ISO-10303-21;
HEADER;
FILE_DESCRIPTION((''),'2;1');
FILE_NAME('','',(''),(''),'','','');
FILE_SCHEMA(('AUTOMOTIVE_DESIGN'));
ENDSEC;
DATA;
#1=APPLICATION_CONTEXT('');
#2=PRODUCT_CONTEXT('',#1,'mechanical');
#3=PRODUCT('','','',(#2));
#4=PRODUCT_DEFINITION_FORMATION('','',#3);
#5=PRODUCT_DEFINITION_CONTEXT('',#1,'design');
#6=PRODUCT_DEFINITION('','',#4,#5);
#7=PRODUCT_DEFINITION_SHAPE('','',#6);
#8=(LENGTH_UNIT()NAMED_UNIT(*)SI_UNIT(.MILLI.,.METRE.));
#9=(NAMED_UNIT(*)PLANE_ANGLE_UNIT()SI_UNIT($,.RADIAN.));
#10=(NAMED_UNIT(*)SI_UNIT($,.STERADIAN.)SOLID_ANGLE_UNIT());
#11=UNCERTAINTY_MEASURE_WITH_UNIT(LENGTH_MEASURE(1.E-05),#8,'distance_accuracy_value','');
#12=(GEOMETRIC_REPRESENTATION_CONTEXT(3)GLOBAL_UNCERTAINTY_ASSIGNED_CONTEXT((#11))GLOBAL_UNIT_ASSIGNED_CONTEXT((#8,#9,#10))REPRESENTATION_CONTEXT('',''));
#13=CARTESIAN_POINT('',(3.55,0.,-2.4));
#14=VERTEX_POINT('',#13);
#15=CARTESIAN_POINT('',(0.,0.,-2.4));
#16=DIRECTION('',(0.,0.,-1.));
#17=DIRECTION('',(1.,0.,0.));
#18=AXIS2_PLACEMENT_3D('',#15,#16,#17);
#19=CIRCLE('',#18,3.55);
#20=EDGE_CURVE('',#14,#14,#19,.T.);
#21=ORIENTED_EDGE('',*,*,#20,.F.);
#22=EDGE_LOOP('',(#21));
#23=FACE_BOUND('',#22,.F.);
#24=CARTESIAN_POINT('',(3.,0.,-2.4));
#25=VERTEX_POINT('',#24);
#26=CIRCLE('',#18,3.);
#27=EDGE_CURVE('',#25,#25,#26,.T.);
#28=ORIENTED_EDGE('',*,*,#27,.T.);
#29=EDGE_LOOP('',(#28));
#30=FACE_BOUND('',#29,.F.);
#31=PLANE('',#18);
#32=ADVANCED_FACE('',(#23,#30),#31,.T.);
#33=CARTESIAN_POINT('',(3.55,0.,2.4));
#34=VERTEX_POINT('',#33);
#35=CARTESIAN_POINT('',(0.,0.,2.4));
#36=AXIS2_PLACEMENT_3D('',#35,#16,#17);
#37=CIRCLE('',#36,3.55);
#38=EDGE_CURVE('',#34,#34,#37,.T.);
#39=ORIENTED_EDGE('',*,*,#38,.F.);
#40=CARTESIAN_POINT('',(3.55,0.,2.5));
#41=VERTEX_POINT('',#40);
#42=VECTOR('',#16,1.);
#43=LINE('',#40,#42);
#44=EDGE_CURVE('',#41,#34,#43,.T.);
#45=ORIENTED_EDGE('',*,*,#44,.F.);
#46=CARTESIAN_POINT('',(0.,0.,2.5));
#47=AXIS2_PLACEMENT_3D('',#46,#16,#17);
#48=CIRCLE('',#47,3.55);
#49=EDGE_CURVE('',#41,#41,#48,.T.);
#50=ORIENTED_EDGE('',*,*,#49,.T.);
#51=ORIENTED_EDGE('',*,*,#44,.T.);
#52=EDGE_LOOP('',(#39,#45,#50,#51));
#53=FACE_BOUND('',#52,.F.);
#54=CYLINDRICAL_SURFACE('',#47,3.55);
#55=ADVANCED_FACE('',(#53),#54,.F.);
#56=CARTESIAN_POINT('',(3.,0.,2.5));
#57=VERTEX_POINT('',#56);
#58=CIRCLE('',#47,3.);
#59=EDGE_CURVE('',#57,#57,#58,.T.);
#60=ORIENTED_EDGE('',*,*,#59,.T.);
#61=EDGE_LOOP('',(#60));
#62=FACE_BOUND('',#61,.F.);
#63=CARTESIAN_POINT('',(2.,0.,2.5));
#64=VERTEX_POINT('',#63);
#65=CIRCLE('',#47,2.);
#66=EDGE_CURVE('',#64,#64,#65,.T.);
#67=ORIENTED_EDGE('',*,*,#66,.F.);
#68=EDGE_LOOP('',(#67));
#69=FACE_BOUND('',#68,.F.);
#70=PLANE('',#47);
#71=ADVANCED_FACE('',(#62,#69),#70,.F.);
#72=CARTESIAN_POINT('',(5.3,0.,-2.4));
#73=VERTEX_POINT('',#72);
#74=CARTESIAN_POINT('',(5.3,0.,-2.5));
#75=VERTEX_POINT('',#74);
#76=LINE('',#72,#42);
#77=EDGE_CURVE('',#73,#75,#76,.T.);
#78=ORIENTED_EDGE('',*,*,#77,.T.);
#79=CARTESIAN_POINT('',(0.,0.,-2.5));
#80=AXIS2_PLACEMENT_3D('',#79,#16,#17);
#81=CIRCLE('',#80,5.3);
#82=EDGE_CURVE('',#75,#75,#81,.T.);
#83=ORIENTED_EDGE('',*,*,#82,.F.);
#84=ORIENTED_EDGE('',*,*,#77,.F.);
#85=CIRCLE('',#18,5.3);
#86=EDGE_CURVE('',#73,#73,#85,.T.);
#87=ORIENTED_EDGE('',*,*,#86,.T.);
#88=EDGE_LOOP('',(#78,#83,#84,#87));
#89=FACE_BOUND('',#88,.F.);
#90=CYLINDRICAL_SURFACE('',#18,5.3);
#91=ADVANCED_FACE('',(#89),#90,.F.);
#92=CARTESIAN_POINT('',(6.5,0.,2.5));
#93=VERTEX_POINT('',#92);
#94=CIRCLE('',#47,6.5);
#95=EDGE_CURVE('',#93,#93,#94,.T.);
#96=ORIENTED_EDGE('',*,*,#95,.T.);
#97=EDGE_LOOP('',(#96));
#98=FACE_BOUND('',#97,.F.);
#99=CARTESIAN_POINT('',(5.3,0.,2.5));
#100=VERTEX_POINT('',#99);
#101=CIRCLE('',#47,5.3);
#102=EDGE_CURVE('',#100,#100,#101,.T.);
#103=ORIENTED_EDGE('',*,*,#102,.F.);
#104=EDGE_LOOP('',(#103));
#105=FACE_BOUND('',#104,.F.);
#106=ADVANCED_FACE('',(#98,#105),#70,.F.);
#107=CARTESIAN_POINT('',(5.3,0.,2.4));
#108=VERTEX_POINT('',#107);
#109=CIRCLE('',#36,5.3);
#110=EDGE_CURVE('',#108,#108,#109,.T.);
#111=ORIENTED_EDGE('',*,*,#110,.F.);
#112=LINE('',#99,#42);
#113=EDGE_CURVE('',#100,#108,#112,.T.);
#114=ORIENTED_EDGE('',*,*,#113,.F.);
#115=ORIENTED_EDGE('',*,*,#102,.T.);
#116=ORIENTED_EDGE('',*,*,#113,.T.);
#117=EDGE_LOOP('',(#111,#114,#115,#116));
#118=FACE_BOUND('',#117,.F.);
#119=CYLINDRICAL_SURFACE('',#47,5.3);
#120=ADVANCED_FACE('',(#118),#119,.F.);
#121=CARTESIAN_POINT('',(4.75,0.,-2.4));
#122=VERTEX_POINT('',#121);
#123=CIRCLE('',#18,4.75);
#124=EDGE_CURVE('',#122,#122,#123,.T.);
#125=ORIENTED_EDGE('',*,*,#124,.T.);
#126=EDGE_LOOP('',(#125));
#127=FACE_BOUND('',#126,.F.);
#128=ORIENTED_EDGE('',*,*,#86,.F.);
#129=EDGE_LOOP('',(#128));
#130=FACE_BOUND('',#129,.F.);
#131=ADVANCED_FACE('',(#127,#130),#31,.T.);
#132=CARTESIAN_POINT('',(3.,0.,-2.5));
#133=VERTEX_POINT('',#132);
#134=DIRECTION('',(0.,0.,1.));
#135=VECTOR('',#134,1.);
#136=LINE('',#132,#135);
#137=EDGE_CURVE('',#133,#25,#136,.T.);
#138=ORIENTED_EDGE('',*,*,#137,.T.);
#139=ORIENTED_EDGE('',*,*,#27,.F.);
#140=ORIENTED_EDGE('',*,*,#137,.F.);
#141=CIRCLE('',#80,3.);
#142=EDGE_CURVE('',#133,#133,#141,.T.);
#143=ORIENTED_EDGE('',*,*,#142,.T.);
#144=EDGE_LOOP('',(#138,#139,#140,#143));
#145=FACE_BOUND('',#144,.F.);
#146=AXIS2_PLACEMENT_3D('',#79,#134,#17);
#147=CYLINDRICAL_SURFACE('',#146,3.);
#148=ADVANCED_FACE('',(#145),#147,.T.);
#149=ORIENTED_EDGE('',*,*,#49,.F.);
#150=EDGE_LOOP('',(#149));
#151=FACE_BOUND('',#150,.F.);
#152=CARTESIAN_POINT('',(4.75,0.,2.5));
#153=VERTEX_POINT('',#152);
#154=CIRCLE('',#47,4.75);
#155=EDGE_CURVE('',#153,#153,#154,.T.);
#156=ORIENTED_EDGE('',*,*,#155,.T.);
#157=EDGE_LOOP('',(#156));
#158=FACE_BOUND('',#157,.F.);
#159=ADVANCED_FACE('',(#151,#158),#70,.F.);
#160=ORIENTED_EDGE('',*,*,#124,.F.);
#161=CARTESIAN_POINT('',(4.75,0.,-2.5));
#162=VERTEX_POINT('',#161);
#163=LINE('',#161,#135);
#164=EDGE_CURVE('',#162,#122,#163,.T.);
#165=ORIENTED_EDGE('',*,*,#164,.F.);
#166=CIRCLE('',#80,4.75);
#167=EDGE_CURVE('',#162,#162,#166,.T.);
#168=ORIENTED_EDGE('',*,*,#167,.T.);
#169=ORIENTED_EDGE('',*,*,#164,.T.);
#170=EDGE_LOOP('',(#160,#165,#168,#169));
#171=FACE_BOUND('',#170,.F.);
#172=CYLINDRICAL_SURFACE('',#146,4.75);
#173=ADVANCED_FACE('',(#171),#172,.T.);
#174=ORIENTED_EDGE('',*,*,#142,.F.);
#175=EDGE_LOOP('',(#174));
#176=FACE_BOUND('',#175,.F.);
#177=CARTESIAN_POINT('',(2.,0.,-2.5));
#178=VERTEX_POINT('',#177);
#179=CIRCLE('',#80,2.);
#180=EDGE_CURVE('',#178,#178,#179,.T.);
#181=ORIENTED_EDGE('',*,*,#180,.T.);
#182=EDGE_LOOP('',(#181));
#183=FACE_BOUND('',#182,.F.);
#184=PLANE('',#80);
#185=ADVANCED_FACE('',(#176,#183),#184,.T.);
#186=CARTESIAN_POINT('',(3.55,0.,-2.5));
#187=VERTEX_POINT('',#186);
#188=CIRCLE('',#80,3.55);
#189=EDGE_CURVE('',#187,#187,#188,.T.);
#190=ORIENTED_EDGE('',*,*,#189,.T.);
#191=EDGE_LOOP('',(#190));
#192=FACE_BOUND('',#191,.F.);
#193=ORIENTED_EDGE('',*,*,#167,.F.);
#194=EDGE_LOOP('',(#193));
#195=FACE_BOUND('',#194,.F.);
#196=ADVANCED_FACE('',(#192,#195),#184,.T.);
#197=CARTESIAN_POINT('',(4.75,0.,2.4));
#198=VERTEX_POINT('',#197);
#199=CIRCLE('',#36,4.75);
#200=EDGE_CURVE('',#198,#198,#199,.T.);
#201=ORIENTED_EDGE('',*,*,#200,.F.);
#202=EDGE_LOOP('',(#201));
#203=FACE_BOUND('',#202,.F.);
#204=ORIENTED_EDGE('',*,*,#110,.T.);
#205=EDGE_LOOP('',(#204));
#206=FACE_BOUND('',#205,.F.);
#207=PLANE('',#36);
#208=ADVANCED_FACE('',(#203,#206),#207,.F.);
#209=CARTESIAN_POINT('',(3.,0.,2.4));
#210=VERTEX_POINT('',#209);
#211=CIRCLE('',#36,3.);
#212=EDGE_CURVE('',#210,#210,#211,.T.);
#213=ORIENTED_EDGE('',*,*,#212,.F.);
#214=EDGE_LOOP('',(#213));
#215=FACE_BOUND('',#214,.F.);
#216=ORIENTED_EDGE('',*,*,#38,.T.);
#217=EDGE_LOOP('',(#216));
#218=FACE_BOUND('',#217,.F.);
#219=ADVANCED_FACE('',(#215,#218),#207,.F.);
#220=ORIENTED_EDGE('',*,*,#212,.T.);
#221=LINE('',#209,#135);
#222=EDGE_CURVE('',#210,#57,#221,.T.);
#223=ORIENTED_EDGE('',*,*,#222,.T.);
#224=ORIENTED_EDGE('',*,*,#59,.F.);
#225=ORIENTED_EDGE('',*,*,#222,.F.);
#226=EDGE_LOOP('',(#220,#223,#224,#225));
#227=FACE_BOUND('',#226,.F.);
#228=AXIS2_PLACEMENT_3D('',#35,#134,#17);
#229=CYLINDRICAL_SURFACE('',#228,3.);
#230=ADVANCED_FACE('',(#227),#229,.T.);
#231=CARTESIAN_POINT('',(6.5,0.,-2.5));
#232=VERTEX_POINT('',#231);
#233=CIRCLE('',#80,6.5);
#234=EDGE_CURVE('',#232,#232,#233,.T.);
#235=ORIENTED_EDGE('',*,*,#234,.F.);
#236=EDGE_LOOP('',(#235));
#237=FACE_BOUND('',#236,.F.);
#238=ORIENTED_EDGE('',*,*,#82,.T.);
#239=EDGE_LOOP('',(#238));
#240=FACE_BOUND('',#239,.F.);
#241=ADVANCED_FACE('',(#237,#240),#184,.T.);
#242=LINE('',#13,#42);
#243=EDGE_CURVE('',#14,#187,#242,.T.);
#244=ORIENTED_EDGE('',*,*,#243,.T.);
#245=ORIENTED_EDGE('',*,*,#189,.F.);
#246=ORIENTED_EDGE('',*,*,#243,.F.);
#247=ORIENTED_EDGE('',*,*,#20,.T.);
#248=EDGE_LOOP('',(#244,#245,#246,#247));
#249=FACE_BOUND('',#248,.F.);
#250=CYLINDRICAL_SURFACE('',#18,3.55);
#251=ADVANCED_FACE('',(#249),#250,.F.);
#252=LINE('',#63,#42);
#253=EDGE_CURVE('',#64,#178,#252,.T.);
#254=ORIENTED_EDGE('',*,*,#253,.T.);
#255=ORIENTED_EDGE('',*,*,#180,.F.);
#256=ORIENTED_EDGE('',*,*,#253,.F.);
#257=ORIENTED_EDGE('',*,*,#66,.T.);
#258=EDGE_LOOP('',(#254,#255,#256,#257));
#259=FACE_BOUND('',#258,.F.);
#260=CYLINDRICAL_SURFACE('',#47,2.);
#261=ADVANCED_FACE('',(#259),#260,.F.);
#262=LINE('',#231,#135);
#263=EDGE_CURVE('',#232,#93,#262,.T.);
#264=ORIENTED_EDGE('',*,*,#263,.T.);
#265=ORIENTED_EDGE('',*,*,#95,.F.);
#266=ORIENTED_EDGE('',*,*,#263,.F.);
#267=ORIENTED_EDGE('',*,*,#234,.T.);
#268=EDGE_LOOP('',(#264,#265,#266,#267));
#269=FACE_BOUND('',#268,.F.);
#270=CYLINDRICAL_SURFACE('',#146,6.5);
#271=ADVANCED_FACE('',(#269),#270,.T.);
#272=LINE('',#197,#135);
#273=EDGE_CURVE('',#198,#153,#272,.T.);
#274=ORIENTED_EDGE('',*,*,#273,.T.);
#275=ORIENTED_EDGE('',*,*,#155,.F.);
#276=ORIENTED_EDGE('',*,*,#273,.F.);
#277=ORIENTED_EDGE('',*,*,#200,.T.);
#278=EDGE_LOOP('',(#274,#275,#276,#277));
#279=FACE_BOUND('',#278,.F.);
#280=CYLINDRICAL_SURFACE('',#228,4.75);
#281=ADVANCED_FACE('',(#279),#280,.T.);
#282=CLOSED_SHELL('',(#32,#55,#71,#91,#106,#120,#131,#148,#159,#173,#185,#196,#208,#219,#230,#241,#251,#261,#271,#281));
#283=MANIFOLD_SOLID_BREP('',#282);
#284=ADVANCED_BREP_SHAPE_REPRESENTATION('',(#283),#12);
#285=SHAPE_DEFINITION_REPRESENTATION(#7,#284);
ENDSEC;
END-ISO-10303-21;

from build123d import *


with BuildPart() as f1:
    # F0 (on Front) → F1 (revolve)
    with BuildSketch(Plane.XZ):
        Polygon((3, 2.5), (2, 2.5), (2, -2.5), (3, -2.5), (3, -2.4), (3.55, -2.4), (3.55, -2.5), (4.75, -2.5), (4.75, -2.4), (5.3, -2.4), (5.3, -2.5), (6.5, -2.5), (6.5, 2.5), (5.3, 2.5), (5.3, 2.4), (4.75, 2.4), (4.75, 2.5), (3.55, 2.5), (3.55, 2.4), (3, 2.4), align=None)
    revolve(axis=Axis((0, 0, -0.220707), (0, 0, -1)))


solid = f1.part
